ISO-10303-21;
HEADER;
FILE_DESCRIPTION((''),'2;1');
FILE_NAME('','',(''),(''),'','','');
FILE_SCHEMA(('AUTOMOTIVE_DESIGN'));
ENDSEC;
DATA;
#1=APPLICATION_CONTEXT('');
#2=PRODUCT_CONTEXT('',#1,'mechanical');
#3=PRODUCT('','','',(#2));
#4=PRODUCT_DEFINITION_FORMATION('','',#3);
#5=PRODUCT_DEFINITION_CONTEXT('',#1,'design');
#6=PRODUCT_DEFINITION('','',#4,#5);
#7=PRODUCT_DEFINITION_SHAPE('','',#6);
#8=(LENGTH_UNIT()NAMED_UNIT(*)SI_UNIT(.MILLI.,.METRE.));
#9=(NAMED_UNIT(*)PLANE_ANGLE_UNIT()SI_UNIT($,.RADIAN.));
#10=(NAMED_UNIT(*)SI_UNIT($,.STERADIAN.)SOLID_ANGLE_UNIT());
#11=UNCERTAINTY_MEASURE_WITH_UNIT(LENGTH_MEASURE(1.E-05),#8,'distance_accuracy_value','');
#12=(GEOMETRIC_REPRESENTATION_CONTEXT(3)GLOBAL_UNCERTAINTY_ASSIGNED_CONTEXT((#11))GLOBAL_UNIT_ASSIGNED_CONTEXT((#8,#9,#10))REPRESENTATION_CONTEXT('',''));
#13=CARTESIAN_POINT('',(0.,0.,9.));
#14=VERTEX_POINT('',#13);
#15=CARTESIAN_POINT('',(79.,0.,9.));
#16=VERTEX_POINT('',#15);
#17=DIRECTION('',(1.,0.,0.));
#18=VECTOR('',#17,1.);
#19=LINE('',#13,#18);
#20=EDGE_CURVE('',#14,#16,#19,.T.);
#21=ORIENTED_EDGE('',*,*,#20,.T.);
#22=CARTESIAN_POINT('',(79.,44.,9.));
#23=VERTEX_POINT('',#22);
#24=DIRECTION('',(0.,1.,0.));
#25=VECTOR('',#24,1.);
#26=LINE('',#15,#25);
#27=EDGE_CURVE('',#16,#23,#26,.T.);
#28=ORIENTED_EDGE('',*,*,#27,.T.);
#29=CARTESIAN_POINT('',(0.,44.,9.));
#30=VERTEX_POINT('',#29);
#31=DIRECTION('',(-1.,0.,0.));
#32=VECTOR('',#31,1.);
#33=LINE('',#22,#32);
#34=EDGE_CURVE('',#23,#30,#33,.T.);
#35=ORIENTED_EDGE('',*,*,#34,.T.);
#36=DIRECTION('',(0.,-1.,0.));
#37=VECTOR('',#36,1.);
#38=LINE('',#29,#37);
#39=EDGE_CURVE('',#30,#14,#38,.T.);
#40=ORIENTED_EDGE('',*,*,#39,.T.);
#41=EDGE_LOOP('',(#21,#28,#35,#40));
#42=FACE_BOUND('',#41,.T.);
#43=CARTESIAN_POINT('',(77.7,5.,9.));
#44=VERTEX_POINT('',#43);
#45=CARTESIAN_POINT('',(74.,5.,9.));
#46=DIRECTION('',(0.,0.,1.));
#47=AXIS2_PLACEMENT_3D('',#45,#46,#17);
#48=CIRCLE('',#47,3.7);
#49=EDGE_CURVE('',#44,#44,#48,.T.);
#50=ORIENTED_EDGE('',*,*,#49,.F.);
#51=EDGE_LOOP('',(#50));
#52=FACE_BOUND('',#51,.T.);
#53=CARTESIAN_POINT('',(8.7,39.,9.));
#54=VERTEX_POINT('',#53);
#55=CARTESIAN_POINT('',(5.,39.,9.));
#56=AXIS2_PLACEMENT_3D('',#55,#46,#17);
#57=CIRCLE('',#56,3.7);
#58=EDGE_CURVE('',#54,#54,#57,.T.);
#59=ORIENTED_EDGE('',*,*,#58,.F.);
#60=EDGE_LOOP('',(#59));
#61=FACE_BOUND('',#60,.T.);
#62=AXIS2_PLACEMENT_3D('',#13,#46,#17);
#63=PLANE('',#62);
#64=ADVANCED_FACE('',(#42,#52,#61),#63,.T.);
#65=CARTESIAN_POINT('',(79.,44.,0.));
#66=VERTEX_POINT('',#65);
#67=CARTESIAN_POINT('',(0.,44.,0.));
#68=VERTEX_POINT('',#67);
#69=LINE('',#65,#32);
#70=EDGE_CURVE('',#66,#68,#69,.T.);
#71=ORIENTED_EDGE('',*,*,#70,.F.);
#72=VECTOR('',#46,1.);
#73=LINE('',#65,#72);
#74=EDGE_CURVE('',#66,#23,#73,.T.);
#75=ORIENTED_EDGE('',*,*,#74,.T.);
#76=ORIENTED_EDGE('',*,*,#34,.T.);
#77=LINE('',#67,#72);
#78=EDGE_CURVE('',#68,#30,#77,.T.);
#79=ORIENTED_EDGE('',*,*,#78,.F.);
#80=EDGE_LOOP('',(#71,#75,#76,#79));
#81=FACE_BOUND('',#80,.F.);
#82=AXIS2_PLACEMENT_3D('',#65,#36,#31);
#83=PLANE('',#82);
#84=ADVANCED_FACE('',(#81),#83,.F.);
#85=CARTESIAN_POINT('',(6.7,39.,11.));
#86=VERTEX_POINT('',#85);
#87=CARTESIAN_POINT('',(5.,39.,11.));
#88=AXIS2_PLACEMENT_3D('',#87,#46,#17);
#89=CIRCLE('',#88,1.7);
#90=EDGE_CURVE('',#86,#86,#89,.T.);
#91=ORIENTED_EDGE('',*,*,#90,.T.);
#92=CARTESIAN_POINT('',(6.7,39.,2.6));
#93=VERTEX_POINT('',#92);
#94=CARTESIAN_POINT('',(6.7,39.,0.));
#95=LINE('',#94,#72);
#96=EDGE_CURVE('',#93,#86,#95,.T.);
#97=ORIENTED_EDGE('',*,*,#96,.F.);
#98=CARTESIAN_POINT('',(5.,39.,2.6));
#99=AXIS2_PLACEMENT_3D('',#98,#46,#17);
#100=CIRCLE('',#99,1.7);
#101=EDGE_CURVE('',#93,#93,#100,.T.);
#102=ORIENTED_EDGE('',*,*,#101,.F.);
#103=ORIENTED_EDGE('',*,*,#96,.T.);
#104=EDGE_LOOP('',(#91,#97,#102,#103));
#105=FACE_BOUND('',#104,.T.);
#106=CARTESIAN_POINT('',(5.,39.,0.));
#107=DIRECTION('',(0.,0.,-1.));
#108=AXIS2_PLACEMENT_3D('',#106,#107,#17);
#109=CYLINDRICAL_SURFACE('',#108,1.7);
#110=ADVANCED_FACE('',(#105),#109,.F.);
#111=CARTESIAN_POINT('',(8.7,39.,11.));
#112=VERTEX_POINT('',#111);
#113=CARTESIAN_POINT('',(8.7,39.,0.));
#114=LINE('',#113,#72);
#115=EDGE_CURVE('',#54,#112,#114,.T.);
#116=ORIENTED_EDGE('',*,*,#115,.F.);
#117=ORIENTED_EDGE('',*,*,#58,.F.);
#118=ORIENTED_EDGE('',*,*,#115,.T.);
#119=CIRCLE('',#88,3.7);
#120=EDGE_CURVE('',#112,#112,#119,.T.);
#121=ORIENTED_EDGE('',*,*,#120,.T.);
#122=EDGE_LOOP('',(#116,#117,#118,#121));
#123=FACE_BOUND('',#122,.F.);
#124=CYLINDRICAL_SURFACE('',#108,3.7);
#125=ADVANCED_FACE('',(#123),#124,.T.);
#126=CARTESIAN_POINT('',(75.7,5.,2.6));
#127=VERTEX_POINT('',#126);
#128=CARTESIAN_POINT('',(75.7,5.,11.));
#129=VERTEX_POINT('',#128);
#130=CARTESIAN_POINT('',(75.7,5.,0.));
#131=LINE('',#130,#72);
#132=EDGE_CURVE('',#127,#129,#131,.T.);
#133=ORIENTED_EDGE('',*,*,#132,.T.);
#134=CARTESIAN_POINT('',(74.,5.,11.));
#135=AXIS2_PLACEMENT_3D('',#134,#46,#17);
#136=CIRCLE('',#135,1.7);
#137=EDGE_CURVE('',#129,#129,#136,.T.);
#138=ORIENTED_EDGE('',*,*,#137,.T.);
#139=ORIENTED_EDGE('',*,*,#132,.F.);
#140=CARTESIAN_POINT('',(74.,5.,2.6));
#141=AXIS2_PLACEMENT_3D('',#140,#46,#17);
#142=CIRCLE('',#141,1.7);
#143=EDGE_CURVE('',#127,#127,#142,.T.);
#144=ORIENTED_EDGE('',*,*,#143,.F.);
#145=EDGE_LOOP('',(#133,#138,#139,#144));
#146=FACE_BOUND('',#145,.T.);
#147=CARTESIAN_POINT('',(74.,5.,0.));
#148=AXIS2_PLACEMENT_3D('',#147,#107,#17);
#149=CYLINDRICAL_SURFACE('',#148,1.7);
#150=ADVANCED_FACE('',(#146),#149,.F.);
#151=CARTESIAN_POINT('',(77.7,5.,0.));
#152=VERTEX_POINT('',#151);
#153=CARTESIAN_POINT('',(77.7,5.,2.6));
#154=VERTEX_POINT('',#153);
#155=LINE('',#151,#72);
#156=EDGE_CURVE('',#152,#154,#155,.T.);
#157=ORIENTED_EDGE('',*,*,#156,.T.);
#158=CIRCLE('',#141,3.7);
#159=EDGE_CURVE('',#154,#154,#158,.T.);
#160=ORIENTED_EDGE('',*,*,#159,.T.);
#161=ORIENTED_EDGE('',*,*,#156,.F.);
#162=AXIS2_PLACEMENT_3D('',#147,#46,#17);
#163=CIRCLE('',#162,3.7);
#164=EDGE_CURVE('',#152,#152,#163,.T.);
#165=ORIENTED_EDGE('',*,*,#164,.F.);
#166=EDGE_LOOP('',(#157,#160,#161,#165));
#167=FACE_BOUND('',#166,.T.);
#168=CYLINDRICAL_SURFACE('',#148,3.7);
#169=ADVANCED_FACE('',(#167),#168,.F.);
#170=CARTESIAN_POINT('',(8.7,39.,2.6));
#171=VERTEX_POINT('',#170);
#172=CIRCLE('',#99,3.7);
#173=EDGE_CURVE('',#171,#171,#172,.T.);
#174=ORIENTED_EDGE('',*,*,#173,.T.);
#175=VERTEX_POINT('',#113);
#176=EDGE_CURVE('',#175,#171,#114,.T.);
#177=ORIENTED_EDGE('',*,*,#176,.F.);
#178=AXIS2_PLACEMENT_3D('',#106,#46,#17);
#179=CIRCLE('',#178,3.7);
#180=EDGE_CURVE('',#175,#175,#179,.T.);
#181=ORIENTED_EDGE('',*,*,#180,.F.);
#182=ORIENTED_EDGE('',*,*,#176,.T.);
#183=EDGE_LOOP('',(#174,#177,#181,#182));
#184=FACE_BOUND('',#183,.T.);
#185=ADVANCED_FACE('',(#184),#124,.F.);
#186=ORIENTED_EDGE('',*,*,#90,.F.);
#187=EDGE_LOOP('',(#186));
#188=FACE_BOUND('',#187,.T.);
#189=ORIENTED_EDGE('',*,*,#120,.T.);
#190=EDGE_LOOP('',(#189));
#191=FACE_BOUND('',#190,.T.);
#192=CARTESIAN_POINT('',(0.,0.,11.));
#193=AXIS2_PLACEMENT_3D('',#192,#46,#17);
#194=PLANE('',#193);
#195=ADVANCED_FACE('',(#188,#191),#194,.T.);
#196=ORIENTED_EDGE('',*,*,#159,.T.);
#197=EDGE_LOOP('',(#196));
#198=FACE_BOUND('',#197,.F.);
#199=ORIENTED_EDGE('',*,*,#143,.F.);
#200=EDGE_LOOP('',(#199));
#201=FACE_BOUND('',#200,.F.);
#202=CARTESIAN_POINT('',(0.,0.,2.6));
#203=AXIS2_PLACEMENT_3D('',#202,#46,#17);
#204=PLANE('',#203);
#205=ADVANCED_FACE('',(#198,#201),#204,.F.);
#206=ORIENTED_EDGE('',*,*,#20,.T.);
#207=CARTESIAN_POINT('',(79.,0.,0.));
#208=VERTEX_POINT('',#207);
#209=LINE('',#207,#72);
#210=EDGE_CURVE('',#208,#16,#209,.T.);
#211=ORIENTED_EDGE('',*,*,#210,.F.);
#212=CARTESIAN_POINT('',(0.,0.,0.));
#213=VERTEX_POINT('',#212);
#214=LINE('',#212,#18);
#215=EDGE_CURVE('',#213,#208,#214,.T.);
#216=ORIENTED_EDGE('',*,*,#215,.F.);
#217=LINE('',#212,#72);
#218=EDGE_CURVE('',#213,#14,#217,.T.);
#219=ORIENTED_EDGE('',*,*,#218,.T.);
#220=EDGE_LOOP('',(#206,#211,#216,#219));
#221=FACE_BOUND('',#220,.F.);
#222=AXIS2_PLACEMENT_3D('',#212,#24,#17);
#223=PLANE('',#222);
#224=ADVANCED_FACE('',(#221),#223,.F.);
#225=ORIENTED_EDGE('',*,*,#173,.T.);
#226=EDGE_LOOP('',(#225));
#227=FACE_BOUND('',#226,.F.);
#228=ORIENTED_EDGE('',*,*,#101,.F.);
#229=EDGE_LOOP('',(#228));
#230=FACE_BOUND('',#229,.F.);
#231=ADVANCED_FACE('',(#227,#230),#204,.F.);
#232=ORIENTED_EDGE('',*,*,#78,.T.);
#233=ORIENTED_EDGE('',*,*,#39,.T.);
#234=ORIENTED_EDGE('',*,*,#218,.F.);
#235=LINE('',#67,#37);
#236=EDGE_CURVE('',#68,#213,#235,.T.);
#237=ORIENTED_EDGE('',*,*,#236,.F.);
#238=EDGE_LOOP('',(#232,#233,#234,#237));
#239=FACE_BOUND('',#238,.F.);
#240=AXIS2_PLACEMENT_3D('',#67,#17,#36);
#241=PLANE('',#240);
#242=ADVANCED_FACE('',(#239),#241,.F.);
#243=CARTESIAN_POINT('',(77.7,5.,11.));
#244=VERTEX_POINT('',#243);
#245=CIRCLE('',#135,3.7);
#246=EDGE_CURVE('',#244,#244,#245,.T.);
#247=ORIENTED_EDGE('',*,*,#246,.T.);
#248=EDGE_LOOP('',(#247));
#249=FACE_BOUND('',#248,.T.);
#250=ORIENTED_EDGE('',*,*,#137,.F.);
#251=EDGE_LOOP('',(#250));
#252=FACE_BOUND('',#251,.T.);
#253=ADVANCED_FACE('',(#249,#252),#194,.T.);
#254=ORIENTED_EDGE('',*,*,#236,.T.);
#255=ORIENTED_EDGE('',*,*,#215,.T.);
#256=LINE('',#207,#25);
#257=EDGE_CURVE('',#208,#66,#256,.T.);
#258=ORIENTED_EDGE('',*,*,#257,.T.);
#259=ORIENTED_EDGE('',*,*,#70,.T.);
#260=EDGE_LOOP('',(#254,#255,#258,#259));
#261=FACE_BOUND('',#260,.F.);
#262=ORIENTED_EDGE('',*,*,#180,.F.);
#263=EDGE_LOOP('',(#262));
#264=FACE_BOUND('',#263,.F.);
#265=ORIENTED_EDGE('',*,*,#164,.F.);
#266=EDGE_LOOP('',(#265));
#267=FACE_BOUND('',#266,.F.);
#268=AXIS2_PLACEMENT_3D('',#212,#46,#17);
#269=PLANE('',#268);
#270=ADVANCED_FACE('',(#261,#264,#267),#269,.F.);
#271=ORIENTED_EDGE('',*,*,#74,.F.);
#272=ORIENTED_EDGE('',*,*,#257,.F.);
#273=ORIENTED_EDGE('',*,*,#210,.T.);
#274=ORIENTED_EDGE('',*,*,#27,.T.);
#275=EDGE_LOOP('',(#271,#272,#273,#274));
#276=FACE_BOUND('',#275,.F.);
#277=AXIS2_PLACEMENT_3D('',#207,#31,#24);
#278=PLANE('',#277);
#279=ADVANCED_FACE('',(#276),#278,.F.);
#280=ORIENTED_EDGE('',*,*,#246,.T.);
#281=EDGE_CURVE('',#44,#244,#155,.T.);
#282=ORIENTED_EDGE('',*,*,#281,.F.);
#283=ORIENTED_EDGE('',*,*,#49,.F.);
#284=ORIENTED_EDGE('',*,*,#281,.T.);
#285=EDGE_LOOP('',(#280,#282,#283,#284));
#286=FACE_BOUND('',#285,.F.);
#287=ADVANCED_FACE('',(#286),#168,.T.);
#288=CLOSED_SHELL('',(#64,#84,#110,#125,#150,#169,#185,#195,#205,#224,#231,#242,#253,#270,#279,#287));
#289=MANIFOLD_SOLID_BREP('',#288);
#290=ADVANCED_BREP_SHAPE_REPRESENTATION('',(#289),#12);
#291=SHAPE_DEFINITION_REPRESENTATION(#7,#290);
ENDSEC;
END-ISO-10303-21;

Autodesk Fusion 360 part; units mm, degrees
sketch "Sketch1" plane through (0, 0, 0) normal (0, 0, 1) x (1, 0, 0)
  line L0 (0, 0) -> (79, 0)
  line L1 (79, 0) -> (79, 44)
  line L2 (79, 44) -> (0, 44)
  line L3 (0, 44) -> (0, 0)
  circle A0 centre (5, 39) radius 1.7
  circle A1 centre (5, 39) radius 3.7
  circle A2 centre (74, 5) radius 1.7
  circle A3 centre (74, 5) radius 3.7
  line L4 (1.2, 42.8) -> (77.8, 42.8)
  line L5 (77.8, 42.8) -> (77.8, 1.2)
  line L6 (77.8, 1.2) -> (1.2, 1.2)
  line L7 (1.2, 1.2) -> (1.2, 42.8)
  dimension "d1" = 44
  dimension "d2" = 79
  dimension "d30" = 3.4
  dimension "d31" = 7.4
  dimension "d34" = 3.4
  dimension "d35" = 7.4
  dimension "d46" = 1.2
  dimension "d47" = 1.2
  dimension "d48" = 1.2
  dimension "d49" = 1.2
  dimension "d50" = 3.8
  dimension "d51" = 3.8
  dimension "d52" = 3.8
  dimension "d53" = 3.8
extrude "Extrude5" add sketch "Sketch1" along normal blind 11 contours A1 | A3 makes body 1 at (8.6954, 38.8156, 7.3333) makes body 2 at (77.6954, 4.8156, 7.3333)
extrude "Extrude6" add sketch "Sketch1" along normal blind 9 contours L0 L1 L2 L3 | L4 L5 L6 L7 bodies 1 2
extrude "Extrude7" cut sketch "Sketch1" along normal blind 2.6 contours A1 bodies 1
extrude "Extrude8" cut sketch "Sketch1" along normal blind 2.6 contours A0 | A1 | A3 bodies 1
